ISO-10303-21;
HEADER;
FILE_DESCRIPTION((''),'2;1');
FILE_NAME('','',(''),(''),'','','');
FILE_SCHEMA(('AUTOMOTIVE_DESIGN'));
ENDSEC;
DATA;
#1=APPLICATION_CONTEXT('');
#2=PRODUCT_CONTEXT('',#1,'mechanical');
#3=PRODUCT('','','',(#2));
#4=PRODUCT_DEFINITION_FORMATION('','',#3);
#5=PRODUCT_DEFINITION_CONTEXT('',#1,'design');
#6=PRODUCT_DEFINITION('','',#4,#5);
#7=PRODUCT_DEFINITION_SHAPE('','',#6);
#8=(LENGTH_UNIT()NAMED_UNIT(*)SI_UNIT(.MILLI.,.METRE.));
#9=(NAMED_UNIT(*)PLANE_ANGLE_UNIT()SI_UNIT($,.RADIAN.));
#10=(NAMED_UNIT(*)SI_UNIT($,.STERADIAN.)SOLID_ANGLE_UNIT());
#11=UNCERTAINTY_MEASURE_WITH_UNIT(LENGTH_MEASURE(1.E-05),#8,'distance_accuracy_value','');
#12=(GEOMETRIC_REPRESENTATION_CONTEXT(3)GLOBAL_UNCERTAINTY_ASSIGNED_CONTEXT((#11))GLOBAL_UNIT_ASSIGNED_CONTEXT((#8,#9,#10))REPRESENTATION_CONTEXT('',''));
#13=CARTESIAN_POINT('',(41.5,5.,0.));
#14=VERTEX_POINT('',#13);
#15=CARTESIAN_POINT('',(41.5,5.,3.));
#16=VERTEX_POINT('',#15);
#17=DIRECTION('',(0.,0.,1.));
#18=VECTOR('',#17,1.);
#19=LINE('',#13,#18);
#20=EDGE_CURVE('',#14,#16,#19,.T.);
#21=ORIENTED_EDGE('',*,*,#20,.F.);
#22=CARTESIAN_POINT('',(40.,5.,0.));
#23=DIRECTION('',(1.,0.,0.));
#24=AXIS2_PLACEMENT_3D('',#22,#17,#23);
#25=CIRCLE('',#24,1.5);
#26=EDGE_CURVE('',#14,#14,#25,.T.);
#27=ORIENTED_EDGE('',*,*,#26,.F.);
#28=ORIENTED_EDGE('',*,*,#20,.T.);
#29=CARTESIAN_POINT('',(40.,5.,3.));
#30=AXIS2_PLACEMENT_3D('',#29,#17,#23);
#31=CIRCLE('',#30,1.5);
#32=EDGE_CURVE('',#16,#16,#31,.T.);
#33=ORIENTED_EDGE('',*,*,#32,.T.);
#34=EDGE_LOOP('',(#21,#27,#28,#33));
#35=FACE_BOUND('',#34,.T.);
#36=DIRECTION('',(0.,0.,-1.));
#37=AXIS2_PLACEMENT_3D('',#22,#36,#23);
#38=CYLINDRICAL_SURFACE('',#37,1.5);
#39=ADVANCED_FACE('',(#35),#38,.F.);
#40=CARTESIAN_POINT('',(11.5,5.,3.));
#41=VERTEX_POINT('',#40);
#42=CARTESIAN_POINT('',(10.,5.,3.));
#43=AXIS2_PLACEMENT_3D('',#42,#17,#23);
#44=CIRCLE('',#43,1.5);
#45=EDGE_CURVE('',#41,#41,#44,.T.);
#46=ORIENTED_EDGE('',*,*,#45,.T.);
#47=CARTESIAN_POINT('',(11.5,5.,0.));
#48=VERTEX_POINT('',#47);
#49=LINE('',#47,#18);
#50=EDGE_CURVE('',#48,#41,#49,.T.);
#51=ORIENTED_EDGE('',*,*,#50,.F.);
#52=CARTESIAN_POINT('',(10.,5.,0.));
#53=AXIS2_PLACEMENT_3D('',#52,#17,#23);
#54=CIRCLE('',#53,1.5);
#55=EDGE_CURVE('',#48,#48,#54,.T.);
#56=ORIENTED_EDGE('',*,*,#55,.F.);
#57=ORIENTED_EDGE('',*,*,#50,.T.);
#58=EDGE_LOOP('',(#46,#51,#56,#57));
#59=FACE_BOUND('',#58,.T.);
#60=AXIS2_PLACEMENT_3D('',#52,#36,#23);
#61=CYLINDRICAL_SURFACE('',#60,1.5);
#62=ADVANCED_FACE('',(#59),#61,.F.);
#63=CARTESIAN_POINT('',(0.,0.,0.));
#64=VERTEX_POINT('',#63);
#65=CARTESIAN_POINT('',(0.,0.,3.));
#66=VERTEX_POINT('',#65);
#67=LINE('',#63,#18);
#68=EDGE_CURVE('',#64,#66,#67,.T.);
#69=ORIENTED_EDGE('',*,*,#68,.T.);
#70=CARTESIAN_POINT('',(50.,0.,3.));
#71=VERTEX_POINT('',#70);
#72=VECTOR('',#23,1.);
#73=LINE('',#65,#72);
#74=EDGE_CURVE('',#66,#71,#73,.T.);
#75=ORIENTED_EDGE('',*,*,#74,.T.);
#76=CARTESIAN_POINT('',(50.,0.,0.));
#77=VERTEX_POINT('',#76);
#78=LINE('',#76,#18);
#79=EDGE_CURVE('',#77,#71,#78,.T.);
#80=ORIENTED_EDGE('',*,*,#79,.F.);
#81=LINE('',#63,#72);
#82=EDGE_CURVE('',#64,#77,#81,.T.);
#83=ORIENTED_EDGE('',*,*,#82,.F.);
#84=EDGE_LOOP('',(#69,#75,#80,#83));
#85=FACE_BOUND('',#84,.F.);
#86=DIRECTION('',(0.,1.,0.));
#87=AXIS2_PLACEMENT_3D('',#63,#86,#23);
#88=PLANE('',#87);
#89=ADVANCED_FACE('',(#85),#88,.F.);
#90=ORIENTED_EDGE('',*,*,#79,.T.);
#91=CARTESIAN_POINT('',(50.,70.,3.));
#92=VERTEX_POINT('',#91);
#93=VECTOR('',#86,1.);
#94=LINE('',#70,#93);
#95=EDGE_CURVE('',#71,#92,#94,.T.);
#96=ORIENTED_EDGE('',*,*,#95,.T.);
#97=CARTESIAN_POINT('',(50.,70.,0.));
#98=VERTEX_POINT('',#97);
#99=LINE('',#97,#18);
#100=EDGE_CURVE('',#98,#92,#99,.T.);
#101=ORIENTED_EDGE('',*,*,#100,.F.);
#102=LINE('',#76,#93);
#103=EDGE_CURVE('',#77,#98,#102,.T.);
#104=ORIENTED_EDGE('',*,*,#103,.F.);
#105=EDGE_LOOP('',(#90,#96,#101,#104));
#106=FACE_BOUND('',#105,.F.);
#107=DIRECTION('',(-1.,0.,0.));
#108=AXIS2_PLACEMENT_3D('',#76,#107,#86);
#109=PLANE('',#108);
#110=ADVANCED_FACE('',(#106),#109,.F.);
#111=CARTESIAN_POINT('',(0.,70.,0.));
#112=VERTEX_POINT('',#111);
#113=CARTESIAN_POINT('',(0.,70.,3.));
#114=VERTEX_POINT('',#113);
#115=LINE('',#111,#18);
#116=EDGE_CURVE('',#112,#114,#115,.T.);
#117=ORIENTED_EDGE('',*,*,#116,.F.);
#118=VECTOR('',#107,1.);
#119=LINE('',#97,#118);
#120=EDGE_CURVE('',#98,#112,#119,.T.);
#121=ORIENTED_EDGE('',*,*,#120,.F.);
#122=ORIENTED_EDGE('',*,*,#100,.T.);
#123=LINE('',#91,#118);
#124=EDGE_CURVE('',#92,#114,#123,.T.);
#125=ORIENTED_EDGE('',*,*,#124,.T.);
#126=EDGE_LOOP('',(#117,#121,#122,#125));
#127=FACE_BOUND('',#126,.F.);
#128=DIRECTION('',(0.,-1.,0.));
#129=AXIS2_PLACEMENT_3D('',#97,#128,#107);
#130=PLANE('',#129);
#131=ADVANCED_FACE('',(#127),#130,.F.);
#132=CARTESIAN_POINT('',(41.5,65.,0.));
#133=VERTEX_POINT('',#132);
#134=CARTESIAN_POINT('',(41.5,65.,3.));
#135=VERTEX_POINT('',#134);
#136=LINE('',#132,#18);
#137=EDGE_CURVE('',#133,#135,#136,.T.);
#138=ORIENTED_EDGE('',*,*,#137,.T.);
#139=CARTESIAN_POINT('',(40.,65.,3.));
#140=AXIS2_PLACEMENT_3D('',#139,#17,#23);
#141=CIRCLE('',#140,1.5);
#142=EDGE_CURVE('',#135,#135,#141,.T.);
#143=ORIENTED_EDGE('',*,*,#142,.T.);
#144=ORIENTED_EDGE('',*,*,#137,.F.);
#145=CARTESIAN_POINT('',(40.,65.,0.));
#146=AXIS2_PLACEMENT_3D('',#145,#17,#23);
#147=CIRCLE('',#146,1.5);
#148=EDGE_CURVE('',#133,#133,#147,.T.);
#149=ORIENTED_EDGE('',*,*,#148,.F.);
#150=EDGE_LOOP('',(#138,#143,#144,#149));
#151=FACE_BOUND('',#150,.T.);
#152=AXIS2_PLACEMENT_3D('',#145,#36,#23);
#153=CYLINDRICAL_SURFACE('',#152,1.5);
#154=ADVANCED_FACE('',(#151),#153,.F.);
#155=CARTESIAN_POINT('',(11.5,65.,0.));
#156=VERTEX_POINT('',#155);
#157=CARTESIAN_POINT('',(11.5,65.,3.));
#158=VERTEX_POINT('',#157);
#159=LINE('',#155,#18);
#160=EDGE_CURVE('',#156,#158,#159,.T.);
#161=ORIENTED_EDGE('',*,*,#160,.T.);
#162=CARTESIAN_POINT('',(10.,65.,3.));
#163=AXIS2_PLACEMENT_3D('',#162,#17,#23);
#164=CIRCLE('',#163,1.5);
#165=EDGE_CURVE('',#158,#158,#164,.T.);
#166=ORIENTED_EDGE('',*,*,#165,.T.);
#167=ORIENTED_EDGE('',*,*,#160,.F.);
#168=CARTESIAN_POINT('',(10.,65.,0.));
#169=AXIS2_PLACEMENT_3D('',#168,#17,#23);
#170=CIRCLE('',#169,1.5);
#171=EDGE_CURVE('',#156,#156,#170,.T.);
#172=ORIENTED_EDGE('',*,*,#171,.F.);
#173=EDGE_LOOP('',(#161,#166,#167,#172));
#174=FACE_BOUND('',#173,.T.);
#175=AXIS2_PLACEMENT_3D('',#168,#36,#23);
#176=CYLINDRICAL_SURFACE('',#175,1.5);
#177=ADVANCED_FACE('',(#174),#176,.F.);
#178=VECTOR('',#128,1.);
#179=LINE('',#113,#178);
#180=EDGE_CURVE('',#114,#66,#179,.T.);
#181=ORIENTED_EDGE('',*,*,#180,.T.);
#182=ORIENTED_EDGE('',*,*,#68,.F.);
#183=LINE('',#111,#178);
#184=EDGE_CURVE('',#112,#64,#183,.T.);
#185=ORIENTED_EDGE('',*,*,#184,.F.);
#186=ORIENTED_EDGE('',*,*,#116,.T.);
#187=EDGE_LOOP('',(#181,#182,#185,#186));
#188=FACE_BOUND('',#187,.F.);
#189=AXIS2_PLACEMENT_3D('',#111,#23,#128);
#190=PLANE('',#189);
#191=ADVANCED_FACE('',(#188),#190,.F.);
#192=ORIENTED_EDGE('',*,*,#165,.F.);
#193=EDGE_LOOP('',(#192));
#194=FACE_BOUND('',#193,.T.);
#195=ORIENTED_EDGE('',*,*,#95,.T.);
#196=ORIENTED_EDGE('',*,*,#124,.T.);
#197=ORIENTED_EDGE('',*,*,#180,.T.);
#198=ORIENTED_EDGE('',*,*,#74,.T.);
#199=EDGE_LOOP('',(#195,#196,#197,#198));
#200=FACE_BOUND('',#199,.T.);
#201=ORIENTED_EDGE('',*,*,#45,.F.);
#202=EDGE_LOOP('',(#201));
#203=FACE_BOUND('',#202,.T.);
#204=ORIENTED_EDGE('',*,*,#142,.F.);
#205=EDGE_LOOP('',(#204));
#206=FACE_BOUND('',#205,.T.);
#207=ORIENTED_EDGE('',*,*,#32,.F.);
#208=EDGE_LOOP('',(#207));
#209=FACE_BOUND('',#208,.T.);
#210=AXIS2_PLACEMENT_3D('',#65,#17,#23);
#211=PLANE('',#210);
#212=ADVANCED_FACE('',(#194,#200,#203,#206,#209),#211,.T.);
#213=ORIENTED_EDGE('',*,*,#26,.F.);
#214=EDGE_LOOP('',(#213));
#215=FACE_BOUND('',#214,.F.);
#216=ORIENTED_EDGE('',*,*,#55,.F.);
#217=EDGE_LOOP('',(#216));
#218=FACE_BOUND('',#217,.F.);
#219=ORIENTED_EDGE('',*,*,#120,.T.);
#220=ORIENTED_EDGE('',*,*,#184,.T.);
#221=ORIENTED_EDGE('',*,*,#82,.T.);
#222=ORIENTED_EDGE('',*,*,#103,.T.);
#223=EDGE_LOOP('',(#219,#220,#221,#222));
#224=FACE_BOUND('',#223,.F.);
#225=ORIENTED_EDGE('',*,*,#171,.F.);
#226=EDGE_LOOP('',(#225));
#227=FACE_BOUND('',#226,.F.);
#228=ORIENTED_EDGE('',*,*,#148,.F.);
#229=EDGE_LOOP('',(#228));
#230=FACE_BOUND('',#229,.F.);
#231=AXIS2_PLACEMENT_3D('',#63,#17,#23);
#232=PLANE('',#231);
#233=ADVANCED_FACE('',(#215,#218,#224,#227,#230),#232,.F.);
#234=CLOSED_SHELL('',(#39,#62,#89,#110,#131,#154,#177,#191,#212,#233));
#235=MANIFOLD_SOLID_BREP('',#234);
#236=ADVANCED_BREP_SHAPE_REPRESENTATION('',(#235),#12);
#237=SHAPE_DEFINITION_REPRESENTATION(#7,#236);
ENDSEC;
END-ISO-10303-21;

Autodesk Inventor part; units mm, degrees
ref_plane "YZ Plane" through (0, 0, 0) normal (1, 0, 0) x (0, 1, 0)
ref_plane "XZ Plane" through (0, 0, 0) normal (0, 1, 0) x (-1, 0, 0)
ref_plane "XY Plane" through (0, 0, 0) normal (0, 0, 1) x (1, 0, 0)
sketch "Sketch1" plane through (0, 0, 0) normal (0, 0, 1) x (1, 0, 0)
  line L0 (0, 0) -> (50, 0)
  line L1 (50, 0) -> (50, 70)
  line L2 (50, 70) -> (0, 70)
  line L3 (0, 70) -> (0, 0)
  circle A0 centre (10, 5) radius 1.5
  circle A1 centre (40, 5) radius 1.5
  circle A2 centre (10, 65) radius 1.5
  circle A3 centre (40, 65) radius 1.5
  dimension "d0" = 70
  dimension "d1" = 50
  dimension "d4" = 3
  dimension "d5" = 3
  dimension "d6" = 3
  dimension "d7" = 3
  dimension "d8" = 5
  dimension "d9" = 5
  dimension "d10" = 10
  dimension "d11" = 10
  dimension "d12" = 10
  dimension "d13" = 5
  dimension "d14" = 10
  dimension "d15" = 5
extrude "Extrusion1" add sketch "Sketch1" along normal blind 3
properties part number "bracket-temporary-1" material "PC/ABS Plastic"
